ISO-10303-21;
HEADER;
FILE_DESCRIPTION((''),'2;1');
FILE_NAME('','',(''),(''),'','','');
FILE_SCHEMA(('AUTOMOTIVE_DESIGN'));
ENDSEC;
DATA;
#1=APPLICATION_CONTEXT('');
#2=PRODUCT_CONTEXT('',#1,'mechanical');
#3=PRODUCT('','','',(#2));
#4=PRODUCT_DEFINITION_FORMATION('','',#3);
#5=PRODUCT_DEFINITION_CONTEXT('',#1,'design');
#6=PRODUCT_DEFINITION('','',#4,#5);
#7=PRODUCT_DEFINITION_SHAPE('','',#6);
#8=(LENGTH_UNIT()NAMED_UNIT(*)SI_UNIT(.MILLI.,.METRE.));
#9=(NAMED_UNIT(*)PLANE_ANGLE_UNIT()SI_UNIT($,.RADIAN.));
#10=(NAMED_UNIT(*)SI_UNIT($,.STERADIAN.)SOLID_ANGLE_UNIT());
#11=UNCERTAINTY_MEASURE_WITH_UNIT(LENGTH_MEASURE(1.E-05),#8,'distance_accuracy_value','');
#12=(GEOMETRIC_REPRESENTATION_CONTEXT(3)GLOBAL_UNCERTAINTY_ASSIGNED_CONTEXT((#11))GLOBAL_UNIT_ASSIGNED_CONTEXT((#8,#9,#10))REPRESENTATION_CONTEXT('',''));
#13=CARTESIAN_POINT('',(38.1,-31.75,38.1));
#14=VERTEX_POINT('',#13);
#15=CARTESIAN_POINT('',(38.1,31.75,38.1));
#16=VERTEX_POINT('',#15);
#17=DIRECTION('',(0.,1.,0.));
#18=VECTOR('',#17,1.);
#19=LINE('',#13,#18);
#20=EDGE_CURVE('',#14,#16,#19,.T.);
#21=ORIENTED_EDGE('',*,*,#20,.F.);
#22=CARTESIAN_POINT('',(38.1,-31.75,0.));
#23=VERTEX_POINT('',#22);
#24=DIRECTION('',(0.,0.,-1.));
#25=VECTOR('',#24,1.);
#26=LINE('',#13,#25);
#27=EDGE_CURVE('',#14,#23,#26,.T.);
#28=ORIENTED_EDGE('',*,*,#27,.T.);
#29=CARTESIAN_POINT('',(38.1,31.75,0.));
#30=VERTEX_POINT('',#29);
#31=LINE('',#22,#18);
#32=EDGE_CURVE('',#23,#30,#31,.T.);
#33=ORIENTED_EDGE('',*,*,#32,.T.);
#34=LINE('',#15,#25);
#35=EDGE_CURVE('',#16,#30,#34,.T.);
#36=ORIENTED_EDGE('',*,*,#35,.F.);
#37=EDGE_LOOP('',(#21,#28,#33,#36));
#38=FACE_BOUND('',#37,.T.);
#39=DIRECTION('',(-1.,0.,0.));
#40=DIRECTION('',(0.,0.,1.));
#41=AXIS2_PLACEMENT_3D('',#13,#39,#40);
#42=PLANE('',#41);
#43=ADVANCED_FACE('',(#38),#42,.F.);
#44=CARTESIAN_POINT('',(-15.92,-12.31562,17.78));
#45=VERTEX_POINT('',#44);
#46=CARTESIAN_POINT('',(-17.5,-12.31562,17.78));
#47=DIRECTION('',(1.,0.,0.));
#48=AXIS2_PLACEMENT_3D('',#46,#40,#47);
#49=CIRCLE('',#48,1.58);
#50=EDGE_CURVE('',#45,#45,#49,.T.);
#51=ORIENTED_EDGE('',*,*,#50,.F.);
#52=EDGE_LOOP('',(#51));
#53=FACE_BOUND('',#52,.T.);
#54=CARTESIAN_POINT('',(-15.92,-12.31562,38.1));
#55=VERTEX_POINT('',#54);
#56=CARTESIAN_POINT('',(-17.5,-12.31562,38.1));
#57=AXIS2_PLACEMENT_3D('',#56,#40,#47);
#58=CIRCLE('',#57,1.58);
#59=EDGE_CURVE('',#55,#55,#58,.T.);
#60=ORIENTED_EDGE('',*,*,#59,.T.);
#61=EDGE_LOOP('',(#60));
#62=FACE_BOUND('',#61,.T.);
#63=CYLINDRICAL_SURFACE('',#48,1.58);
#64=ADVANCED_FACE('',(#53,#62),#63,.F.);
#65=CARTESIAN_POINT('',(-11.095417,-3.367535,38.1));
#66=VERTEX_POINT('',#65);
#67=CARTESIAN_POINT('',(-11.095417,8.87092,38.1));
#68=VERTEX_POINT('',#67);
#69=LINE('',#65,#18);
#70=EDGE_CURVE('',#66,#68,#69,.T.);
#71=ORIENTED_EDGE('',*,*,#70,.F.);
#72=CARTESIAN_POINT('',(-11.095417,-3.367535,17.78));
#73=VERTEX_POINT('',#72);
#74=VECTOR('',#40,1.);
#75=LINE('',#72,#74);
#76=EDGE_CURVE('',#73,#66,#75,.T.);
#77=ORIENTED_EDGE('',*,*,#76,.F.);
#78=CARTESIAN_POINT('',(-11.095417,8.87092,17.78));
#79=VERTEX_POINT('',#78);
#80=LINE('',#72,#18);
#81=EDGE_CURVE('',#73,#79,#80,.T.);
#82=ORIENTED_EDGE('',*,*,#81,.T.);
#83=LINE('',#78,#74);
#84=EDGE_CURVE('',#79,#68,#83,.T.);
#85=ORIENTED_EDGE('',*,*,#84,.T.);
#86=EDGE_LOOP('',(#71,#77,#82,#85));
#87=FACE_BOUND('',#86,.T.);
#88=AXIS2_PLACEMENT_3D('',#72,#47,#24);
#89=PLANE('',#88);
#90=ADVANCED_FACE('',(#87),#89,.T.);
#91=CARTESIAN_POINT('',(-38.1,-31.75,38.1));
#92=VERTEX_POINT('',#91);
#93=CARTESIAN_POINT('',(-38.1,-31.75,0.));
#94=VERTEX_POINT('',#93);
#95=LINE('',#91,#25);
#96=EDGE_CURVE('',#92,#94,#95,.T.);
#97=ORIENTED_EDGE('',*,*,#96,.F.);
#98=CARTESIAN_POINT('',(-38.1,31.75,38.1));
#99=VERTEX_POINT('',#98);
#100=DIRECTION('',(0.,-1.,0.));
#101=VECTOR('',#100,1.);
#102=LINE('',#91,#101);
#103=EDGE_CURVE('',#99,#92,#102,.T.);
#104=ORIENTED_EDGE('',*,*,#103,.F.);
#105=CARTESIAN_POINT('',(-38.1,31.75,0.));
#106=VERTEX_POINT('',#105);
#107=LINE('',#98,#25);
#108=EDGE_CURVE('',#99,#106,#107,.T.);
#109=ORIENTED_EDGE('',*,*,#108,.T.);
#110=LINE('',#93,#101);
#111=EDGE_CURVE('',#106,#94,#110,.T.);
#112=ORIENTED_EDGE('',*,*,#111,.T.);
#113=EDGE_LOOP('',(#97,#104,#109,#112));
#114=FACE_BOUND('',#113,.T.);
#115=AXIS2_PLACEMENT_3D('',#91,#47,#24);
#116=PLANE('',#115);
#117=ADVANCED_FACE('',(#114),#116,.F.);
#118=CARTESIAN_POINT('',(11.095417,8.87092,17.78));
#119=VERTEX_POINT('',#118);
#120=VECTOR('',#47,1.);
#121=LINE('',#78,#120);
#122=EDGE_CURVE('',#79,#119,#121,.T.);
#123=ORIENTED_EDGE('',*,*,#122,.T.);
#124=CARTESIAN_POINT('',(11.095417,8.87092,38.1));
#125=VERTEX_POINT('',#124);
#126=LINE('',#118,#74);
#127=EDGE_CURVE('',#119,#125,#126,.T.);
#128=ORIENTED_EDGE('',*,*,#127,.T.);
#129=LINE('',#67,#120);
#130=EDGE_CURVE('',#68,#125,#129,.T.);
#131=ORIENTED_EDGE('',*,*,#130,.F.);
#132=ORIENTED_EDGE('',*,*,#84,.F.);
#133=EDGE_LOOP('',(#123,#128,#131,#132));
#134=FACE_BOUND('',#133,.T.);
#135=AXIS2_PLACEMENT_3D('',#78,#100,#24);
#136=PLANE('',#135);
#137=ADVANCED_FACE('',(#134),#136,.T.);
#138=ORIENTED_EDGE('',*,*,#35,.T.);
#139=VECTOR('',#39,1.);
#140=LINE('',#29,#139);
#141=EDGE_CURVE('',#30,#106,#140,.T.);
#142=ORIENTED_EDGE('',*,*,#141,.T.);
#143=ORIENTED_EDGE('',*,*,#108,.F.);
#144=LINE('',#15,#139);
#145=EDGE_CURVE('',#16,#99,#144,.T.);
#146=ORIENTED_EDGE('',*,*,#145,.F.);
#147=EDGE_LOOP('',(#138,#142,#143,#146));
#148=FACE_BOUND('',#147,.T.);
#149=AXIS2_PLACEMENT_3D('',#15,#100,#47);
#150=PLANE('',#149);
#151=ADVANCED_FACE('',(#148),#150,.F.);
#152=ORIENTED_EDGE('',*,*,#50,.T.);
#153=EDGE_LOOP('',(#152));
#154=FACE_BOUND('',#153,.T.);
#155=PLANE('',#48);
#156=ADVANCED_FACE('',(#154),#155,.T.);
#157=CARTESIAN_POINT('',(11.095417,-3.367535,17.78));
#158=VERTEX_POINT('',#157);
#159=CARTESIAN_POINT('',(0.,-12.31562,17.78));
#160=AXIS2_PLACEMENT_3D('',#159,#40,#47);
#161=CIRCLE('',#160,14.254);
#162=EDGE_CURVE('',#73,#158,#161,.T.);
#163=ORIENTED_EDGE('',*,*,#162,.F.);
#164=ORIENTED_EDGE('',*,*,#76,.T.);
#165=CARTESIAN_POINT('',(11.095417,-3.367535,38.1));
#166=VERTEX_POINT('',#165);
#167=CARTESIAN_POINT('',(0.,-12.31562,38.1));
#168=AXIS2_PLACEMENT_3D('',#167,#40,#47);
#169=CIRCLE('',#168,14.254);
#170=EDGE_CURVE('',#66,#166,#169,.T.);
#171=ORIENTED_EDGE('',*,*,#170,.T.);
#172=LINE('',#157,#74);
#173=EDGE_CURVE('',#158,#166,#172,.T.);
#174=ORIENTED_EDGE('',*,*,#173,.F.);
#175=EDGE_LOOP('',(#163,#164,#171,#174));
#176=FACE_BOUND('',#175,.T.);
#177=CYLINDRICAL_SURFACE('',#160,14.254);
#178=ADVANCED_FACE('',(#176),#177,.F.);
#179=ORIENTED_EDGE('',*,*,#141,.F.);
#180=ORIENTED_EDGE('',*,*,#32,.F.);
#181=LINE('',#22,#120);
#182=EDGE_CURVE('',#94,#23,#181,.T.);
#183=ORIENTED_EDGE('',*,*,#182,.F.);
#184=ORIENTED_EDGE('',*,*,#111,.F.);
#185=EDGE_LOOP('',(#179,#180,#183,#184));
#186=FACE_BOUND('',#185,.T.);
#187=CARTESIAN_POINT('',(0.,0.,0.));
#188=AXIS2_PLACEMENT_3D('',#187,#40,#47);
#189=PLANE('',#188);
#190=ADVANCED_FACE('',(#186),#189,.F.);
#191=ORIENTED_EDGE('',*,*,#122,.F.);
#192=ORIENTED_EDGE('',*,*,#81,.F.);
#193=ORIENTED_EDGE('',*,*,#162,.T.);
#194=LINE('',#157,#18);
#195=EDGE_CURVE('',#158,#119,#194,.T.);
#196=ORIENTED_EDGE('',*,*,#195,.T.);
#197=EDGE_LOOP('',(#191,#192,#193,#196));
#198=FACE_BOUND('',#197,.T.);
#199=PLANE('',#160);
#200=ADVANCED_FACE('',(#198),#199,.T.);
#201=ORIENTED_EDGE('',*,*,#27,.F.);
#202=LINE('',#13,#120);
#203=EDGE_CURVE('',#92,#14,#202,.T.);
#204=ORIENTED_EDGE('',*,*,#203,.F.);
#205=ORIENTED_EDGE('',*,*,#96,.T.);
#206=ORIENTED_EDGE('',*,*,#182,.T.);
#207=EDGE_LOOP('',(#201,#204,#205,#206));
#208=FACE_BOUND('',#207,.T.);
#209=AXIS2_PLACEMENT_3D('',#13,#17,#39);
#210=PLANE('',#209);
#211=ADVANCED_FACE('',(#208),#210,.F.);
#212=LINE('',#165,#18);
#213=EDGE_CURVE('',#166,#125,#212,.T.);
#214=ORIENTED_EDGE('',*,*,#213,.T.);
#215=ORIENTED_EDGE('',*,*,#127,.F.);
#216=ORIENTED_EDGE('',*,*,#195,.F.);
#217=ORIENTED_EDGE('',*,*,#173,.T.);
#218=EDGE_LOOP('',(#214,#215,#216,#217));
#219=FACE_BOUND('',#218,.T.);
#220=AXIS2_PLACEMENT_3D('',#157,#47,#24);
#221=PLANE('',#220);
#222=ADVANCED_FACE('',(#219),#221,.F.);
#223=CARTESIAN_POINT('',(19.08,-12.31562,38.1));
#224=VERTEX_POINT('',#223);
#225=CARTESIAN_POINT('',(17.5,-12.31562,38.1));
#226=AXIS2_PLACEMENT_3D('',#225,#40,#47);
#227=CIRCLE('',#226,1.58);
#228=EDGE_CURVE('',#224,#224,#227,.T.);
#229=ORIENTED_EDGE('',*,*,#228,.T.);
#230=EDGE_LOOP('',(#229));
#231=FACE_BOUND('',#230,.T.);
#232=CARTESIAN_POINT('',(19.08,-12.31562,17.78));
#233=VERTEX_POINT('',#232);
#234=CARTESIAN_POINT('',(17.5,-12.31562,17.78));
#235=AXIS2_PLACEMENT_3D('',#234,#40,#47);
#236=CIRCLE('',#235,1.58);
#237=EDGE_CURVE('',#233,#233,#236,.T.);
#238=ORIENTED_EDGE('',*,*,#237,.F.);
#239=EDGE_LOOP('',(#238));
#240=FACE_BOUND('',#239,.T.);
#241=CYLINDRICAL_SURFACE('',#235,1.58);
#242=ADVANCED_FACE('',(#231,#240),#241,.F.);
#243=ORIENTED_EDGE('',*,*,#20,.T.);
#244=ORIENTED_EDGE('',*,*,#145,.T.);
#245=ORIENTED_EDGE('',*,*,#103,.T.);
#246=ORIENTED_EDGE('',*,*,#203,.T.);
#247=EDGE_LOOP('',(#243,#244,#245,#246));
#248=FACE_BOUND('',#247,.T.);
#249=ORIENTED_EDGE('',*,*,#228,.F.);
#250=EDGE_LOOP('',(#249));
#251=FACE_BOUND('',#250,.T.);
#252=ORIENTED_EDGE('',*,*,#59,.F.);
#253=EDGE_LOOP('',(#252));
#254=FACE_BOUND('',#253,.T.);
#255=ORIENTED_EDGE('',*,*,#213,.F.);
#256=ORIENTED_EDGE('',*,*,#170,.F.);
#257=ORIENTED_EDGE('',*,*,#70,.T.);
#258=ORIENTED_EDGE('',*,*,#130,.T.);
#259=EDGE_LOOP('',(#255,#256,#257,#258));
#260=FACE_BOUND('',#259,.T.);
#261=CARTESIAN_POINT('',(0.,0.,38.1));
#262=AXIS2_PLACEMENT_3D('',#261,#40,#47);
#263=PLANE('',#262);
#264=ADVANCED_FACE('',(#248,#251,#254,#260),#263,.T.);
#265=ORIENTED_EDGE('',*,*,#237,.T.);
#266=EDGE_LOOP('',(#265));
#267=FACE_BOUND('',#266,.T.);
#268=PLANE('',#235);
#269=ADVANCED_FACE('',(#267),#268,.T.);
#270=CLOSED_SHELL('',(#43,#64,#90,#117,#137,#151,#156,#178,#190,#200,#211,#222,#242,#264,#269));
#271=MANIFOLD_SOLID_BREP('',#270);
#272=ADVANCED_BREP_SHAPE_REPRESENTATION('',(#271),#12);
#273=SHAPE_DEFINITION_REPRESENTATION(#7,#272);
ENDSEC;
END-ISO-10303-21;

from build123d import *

# Parameters (mm, degrees)
SKETCH1_W           = 76.2
SKETCH1_H           = 63.5
BOSS_EXTRUDE1_DEPTH = 38.1
CUT_EXTRUDE2_DEPTH  = 20.32
SKETCH6_R           = 1.58
CUT_EXTRUDE3_DEPTH  = 20.32


with BuildPart() as part:
    # Sketch1 → Boss-Extrude1 (new body)
    with BuildSketch(Plane.XY):
        Rectangle(SKETCH1_W, SKETCH1_H)
    extrude(amount=BOSS_EXTRUDE1_DEPTH)

    # Sketch5 → Cut-Extrude2 (cut)
    with BuildSketch(Plane.XY.offset(38.1)):
        with BuildLine():
            Line((-11.095417071, -3.367534501), (-11.095417071, 8.870920326))
            Line((-11.095417071, 8.870920326), (11.095417071, 8.870920326))
            Line((11.095417071, 8.870920326), (11.095417071, -3.367534501))
            ThreePointArc((11.095417071, -3.367534501), (0, -26.569619951), (-11.095417071, -3.367534501))
        make_face()
    extrude(amount=-CUT_EXTRUDE2_DEPTH, mode=Mode.SUBTRACT)

    # Sketch6 → Cut-Extrude3 (cut)
    with BuildSketch(Plane.XY.offset(38.1)):
        with Locations((17.5, -12.315620011)):
            Circle(SKETCH6_R)
        with Locations((-17.5, -12.315620011)):
            Circle(SKETCH6_R)
    extrude(amount=-CUT_EXTRUDE3_DEPTH, mode=Mode.SUBTRACT)


solid = part.part
